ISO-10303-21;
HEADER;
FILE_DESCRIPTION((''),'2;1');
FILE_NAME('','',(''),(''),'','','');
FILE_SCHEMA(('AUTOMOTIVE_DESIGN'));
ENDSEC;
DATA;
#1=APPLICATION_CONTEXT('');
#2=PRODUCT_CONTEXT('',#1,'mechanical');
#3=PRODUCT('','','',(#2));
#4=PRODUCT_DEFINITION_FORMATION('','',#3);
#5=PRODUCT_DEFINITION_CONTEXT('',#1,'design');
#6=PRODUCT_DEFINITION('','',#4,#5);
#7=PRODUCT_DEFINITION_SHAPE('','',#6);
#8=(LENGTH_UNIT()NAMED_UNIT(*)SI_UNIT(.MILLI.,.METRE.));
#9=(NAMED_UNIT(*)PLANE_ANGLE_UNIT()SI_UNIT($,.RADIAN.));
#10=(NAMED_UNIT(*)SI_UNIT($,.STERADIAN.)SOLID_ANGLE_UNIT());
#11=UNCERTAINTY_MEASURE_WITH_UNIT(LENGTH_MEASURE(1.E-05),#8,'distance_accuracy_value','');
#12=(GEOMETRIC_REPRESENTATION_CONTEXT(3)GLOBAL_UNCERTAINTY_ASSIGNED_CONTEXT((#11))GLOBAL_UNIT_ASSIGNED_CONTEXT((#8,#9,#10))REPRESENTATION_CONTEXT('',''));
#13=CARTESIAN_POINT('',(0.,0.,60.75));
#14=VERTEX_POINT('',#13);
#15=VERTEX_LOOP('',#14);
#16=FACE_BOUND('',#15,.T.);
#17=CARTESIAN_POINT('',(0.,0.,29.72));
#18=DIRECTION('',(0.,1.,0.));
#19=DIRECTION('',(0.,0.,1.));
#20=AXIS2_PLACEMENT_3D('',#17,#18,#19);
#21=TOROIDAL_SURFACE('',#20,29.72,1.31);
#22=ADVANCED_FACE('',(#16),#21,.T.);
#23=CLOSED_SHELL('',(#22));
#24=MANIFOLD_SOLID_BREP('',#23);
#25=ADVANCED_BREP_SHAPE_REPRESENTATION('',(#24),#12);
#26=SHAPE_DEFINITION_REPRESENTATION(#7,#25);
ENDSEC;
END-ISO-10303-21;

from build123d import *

# Parameters (mm, degrees)
CROQUIS2_R = 1.31


with BuildPart() as part:
    # Croquis2 → Revolución1 (revolve)
    with BuildSketch(Plane(origin=(0, 0, 0), x_dir=(0, 0, -1), z_dir=(1, 0, 0))):
        Circle(CROQUIS2_R)
    revolve(axis=Axis((0, 5.119884785, 29.72), (0, -1, 0)))


solid = part.part
